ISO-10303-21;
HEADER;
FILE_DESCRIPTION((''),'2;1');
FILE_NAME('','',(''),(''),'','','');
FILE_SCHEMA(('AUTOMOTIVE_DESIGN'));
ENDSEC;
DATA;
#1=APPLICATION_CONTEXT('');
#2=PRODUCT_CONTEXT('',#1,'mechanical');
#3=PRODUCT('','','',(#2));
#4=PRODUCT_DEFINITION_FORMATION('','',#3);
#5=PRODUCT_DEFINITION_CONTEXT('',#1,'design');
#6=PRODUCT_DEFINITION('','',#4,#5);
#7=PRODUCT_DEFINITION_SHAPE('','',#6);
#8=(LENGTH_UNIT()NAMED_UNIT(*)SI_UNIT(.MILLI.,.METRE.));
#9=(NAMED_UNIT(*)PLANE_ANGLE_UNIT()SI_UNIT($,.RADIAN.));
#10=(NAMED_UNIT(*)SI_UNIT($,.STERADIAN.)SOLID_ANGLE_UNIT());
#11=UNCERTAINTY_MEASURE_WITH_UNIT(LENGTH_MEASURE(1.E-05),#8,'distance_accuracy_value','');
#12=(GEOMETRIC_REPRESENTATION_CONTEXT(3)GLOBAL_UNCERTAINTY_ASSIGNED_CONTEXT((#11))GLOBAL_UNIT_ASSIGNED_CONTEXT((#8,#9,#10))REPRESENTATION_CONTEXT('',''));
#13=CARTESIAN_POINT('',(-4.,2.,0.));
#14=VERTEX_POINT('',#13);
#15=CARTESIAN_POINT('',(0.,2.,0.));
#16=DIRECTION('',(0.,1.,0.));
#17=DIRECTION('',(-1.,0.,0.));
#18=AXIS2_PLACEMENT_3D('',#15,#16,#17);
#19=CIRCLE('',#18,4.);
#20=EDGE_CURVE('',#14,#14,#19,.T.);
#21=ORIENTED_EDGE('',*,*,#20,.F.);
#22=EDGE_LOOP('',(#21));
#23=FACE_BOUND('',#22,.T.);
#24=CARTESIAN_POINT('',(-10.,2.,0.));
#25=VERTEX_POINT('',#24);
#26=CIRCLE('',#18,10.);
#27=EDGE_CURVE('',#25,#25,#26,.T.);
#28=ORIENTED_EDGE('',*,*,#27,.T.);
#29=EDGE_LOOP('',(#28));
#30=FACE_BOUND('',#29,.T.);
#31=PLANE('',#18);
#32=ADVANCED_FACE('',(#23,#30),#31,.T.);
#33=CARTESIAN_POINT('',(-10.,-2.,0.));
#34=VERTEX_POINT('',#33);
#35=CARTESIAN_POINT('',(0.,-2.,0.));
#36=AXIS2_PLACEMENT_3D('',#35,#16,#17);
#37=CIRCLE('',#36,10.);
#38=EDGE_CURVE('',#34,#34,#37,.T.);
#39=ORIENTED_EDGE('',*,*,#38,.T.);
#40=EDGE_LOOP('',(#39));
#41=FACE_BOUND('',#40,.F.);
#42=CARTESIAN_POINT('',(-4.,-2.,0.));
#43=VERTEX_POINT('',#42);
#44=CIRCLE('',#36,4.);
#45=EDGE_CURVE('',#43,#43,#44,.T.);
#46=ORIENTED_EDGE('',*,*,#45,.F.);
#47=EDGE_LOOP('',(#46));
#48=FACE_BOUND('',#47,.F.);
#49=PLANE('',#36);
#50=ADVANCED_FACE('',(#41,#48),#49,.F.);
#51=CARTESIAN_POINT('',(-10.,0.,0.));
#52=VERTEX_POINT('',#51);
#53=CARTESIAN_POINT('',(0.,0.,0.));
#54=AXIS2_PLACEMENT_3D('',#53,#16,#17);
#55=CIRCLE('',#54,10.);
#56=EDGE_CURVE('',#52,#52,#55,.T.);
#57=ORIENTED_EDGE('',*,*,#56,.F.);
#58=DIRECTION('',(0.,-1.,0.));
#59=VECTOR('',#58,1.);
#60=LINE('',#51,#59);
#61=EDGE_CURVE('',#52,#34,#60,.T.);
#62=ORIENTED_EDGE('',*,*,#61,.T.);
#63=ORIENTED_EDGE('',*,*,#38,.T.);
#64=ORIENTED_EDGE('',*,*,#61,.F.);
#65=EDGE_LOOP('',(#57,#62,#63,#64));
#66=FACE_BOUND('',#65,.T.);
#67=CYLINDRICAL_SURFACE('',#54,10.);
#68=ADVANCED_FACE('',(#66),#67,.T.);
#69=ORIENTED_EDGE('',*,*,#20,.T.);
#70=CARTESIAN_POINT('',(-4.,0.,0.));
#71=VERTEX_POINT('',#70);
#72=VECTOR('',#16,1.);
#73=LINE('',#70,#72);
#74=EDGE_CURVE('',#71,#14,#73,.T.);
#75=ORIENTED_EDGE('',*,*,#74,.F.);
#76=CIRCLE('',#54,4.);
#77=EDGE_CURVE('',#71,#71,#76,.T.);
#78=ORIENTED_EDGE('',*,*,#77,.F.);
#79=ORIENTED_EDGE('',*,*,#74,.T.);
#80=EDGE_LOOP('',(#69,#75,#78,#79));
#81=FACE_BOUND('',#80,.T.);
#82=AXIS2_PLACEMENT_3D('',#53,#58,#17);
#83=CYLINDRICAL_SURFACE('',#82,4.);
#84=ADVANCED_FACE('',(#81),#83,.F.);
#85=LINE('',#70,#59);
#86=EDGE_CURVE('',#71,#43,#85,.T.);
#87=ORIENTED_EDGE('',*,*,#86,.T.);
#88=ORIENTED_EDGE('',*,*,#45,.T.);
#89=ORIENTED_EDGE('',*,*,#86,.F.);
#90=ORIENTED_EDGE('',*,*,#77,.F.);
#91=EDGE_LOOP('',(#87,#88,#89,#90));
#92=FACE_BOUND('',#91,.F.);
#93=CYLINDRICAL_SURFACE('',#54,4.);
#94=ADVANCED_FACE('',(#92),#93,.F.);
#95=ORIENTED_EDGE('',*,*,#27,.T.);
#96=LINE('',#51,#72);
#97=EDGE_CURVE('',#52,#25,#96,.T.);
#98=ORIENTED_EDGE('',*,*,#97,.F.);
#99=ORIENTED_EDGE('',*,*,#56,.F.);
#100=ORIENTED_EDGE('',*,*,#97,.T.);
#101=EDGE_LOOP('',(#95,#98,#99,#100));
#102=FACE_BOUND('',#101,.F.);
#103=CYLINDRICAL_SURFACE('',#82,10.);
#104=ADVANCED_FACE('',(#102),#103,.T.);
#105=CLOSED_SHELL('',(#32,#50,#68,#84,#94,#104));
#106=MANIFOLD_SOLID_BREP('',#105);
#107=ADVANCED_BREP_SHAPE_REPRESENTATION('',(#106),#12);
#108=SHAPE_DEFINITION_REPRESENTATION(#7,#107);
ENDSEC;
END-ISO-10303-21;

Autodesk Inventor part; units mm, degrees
ref_plane "YZ Plane" through (0, 0, 0) normal (1, 0, 0) x (0, 1, 0)
ref_plane "XZ Plane" through (0, 0, 0) normal (0, 1, 0) x (-1, 0, 0)
ref_plane "XY Plane" through (0, 0, 0) normal (0, 0, 1) x (1, 0, 0)
sketch "Эскиз1" plane through (0, 0, 0) normal (0, 1, 0) x (-1, 0, 0)
  circle A0 centre (0, 0) radius 10
  circle A1 centre (0, 0) radius 4
  dimension "d0" = 20
  dimension "d3" = 8
extrude "Выдавливание1" add sketch "Эскиз1" along normal mid plane 4
properties part number "Бабышка"
